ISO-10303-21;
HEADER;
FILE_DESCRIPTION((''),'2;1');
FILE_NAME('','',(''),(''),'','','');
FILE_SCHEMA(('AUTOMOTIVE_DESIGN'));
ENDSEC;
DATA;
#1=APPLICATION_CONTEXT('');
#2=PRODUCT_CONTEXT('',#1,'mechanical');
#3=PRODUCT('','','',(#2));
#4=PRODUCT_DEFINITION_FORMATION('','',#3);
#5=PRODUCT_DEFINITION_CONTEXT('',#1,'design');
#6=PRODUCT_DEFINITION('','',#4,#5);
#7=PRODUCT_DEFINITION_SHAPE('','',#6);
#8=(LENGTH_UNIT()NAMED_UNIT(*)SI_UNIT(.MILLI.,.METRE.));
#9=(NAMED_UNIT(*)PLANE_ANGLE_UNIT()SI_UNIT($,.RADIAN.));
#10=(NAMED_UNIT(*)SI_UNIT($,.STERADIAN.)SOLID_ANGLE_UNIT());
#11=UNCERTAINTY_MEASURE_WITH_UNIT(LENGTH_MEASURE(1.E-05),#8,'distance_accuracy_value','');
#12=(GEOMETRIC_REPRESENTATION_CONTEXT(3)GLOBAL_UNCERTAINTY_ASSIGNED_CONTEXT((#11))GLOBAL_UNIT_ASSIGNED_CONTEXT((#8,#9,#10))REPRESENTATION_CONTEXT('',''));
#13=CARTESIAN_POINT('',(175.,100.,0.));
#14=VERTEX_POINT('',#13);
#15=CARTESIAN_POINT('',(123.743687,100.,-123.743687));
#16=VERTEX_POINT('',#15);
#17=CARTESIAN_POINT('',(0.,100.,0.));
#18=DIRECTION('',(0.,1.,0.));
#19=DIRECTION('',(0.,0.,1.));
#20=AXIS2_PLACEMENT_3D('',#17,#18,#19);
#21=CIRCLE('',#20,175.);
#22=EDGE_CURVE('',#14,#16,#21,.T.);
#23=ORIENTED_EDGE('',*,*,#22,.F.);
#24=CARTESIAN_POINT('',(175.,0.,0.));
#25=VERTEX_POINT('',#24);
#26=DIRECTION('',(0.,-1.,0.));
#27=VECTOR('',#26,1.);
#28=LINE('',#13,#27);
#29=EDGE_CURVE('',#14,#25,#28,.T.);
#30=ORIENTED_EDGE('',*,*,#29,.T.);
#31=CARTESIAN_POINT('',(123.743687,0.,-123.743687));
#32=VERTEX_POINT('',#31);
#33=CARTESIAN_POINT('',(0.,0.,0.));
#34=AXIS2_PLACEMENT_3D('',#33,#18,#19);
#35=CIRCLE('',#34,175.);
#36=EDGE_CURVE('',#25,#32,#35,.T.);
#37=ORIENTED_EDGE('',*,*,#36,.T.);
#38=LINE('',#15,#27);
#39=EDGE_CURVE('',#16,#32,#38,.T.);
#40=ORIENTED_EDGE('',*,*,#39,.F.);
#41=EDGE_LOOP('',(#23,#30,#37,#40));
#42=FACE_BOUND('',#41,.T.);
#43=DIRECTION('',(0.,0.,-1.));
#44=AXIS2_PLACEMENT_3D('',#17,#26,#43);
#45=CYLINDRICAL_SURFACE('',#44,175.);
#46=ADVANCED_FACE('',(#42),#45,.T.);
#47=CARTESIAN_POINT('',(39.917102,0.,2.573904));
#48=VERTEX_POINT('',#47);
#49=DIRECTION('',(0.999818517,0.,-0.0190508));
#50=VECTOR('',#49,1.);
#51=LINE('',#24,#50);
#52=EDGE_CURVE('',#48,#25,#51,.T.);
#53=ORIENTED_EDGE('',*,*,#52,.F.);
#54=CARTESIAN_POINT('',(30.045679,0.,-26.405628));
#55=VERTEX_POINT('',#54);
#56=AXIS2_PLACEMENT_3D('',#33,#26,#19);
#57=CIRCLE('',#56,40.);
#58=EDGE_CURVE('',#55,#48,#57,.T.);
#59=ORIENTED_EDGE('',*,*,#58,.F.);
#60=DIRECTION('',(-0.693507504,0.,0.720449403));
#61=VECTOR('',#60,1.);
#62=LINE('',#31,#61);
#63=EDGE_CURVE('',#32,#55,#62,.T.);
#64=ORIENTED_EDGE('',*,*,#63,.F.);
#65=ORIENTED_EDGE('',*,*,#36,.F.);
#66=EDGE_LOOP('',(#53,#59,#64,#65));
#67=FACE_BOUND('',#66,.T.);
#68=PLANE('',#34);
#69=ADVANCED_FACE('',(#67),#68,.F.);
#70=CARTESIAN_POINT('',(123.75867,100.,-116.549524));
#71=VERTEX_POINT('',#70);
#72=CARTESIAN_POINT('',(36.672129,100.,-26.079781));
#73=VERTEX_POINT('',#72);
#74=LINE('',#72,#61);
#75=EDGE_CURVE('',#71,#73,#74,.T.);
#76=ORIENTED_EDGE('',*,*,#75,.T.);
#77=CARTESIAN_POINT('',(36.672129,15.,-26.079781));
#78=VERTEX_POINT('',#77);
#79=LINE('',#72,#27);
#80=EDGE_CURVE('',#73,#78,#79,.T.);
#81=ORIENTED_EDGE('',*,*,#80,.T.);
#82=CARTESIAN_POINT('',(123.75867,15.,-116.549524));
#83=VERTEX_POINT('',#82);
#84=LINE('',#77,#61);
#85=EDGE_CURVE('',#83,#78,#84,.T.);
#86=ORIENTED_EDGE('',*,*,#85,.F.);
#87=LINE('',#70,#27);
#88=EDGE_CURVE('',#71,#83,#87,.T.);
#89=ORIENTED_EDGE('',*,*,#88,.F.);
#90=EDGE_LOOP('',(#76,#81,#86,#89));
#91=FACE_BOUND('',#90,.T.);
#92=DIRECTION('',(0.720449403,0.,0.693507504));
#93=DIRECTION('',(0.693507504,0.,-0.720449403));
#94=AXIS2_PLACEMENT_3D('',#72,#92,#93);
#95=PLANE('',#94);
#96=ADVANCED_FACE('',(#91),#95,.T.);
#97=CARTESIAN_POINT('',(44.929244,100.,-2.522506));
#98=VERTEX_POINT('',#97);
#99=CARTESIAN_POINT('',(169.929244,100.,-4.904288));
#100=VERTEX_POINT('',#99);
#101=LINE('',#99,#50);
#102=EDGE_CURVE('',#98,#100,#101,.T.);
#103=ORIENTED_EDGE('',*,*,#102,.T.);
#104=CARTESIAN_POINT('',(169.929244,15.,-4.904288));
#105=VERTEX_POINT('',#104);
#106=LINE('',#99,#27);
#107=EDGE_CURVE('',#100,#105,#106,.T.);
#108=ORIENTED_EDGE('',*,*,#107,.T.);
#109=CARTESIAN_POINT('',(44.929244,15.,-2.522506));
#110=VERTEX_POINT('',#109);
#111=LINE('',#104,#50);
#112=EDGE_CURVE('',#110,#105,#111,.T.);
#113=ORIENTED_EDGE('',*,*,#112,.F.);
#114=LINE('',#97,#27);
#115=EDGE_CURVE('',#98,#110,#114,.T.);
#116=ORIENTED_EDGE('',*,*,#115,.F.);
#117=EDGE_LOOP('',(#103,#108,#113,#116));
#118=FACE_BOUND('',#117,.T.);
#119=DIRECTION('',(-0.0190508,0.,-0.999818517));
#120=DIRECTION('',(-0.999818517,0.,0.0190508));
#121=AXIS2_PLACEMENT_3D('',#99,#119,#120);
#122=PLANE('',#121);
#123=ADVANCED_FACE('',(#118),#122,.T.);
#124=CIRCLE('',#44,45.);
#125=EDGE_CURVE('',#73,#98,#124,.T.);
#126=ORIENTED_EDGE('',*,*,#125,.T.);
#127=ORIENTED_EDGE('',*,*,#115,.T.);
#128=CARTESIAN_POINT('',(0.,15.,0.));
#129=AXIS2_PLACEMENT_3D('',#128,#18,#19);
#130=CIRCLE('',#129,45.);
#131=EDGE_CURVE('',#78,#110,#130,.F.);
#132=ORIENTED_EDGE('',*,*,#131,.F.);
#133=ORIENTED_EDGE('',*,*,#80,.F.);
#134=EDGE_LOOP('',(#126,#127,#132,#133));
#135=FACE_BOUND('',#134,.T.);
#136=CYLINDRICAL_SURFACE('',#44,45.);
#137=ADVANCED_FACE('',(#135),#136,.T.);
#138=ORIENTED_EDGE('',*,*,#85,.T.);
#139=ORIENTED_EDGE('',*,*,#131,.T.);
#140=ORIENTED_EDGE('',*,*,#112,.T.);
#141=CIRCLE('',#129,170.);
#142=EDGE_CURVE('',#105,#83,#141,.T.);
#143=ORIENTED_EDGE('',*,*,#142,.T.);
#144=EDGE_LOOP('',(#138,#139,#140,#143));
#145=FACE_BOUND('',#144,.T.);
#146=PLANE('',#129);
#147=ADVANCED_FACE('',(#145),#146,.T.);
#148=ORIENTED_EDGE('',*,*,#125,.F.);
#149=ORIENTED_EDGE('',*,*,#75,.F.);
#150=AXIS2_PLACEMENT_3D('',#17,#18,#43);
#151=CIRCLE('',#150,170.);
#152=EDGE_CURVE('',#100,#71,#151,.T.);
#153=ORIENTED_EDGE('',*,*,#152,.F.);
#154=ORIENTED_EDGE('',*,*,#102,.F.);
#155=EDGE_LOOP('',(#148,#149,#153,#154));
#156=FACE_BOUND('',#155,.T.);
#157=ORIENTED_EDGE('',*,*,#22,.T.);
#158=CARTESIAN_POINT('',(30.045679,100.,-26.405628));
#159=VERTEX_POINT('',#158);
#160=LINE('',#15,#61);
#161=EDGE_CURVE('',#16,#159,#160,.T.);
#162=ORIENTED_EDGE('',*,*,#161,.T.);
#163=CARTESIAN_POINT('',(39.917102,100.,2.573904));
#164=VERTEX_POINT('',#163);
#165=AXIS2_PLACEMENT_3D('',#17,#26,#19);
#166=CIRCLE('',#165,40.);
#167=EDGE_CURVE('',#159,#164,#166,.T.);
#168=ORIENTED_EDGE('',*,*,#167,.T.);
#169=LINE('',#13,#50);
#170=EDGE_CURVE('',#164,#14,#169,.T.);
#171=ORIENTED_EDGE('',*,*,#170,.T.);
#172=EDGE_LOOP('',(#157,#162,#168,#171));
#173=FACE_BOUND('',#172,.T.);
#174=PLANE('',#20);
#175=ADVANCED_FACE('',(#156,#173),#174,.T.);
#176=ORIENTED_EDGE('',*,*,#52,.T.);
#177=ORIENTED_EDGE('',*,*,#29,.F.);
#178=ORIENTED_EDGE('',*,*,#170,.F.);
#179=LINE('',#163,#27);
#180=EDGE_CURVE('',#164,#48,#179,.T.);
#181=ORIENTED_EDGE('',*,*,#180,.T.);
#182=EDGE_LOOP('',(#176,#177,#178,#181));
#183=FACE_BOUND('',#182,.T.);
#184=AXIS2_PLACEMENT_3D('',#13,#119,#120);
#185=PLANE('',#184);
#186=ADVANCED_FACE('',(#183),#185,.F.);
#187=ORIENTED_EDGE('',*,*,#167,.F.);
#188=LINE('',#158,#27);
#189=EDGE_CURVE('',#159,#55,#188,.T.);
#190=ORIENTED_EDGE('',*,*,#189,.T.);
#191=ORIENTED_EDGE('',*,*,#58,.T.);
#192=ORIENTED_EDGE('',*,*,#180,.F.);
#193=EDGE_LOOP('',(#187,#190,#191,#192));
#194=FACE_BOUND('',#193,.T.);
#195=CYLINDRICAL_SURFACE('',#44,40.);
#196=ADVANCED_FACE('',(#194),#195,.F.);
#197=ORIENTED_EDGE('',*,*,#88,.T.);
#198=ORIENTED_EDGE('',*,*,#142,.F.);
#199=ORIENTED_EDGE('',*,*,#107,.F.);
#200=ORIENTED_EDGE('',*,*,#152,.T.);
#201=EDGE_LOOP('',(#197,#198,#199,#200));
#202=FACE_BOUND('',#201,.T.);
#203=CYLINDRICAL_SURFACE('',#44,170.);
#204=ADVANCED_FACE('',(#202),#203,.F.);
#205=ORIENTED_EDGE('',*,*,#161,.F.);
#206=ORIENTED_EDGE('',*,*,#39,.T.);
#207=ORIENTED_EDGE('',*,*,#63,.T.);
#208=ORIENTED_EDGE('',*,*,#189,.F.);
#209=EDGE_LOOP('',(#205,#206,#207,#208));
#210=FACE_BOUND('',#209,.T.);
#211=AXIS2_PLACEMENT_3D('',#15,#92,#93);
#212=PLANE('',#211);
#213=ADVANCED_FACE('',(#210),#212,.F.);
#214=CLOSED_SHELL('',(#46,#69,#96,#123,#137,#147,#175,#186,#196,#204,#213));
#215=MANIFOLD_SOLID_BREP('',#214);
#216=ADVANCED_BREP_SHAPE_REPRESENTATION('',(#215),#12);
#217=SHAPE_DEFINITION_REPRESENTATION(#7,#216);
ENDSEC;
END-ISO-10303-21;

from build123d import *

# Parameters (mm, degrees)
BOSS_EXTRUDE1_DEPTH = 100
BOSS_EXTRUDE3_DEPTH = 15


with BuildPart() as part:
    # Sketch3 → Boss-Extrude1 (new body)
    with BuildSketch(Plane(origin=(0, 0, 0), x_dir=(1, 0, 0), z_dir=(0, 1, 0))):
        with BuildLine():
            Line((123.743686708, 123.743686708), (30.045678616, 26.405628121))
            ThreePointArc((30.045678616, 26.405628121), (37.863583917, 12.897635944), (39.917101801, -2.573904389))
            Line((39.917101801, -2.573904389), (175, 0))
            ThreePointArc((175, 0), (161.678918189, 66.969600664), (123.743686708, 123.743686708))
        make_face()
        with BuildLine():
            Line((36.672129032, 26.079780525), (123.758669753, 116.549524499))
            ThreePointArc((123.758669753, 116.549524499), (157.096506553, 64.966819445), (169.929243976, 4.904288086))
            Line((169.929243976, 4.904288086), (44.929243976, 2.52250584))
            ThreePointArc((44.929243976, 2.52250584), (42.466837849, 14.885149752), (36.672129032, 26.079780525))
        make_face(mode=Mode.SUBTRACT)
    extrude(amount=BOSS_EXTRUDE1_DEPTH)

    # Sketch5 → Boss-Extrude3 (add)
    with BuildSketch(Plane(origin=(0, 0, 0), x_dir=(1, 0, 0), z_dir=(0, 1, 0))):
        with BuildLine():
            Line((39.917101801, -2.573904389), (175, 0))
            ThreePointArc((175, 0), (161.678918189, 66.969600664), (123.743686708, 123.743686708))
            Line((123.743686708, 123.743686708), (30.045678616, 26.405628121))
            ThreePointArc((30.045678616, 26.405628121), (37.863583917, 12.897635944), (39.917101801, -2.573904389))
        make_face()
    extrude(amount=BOSS_EXTRUDE3_DEPTH)


solid = part.part
